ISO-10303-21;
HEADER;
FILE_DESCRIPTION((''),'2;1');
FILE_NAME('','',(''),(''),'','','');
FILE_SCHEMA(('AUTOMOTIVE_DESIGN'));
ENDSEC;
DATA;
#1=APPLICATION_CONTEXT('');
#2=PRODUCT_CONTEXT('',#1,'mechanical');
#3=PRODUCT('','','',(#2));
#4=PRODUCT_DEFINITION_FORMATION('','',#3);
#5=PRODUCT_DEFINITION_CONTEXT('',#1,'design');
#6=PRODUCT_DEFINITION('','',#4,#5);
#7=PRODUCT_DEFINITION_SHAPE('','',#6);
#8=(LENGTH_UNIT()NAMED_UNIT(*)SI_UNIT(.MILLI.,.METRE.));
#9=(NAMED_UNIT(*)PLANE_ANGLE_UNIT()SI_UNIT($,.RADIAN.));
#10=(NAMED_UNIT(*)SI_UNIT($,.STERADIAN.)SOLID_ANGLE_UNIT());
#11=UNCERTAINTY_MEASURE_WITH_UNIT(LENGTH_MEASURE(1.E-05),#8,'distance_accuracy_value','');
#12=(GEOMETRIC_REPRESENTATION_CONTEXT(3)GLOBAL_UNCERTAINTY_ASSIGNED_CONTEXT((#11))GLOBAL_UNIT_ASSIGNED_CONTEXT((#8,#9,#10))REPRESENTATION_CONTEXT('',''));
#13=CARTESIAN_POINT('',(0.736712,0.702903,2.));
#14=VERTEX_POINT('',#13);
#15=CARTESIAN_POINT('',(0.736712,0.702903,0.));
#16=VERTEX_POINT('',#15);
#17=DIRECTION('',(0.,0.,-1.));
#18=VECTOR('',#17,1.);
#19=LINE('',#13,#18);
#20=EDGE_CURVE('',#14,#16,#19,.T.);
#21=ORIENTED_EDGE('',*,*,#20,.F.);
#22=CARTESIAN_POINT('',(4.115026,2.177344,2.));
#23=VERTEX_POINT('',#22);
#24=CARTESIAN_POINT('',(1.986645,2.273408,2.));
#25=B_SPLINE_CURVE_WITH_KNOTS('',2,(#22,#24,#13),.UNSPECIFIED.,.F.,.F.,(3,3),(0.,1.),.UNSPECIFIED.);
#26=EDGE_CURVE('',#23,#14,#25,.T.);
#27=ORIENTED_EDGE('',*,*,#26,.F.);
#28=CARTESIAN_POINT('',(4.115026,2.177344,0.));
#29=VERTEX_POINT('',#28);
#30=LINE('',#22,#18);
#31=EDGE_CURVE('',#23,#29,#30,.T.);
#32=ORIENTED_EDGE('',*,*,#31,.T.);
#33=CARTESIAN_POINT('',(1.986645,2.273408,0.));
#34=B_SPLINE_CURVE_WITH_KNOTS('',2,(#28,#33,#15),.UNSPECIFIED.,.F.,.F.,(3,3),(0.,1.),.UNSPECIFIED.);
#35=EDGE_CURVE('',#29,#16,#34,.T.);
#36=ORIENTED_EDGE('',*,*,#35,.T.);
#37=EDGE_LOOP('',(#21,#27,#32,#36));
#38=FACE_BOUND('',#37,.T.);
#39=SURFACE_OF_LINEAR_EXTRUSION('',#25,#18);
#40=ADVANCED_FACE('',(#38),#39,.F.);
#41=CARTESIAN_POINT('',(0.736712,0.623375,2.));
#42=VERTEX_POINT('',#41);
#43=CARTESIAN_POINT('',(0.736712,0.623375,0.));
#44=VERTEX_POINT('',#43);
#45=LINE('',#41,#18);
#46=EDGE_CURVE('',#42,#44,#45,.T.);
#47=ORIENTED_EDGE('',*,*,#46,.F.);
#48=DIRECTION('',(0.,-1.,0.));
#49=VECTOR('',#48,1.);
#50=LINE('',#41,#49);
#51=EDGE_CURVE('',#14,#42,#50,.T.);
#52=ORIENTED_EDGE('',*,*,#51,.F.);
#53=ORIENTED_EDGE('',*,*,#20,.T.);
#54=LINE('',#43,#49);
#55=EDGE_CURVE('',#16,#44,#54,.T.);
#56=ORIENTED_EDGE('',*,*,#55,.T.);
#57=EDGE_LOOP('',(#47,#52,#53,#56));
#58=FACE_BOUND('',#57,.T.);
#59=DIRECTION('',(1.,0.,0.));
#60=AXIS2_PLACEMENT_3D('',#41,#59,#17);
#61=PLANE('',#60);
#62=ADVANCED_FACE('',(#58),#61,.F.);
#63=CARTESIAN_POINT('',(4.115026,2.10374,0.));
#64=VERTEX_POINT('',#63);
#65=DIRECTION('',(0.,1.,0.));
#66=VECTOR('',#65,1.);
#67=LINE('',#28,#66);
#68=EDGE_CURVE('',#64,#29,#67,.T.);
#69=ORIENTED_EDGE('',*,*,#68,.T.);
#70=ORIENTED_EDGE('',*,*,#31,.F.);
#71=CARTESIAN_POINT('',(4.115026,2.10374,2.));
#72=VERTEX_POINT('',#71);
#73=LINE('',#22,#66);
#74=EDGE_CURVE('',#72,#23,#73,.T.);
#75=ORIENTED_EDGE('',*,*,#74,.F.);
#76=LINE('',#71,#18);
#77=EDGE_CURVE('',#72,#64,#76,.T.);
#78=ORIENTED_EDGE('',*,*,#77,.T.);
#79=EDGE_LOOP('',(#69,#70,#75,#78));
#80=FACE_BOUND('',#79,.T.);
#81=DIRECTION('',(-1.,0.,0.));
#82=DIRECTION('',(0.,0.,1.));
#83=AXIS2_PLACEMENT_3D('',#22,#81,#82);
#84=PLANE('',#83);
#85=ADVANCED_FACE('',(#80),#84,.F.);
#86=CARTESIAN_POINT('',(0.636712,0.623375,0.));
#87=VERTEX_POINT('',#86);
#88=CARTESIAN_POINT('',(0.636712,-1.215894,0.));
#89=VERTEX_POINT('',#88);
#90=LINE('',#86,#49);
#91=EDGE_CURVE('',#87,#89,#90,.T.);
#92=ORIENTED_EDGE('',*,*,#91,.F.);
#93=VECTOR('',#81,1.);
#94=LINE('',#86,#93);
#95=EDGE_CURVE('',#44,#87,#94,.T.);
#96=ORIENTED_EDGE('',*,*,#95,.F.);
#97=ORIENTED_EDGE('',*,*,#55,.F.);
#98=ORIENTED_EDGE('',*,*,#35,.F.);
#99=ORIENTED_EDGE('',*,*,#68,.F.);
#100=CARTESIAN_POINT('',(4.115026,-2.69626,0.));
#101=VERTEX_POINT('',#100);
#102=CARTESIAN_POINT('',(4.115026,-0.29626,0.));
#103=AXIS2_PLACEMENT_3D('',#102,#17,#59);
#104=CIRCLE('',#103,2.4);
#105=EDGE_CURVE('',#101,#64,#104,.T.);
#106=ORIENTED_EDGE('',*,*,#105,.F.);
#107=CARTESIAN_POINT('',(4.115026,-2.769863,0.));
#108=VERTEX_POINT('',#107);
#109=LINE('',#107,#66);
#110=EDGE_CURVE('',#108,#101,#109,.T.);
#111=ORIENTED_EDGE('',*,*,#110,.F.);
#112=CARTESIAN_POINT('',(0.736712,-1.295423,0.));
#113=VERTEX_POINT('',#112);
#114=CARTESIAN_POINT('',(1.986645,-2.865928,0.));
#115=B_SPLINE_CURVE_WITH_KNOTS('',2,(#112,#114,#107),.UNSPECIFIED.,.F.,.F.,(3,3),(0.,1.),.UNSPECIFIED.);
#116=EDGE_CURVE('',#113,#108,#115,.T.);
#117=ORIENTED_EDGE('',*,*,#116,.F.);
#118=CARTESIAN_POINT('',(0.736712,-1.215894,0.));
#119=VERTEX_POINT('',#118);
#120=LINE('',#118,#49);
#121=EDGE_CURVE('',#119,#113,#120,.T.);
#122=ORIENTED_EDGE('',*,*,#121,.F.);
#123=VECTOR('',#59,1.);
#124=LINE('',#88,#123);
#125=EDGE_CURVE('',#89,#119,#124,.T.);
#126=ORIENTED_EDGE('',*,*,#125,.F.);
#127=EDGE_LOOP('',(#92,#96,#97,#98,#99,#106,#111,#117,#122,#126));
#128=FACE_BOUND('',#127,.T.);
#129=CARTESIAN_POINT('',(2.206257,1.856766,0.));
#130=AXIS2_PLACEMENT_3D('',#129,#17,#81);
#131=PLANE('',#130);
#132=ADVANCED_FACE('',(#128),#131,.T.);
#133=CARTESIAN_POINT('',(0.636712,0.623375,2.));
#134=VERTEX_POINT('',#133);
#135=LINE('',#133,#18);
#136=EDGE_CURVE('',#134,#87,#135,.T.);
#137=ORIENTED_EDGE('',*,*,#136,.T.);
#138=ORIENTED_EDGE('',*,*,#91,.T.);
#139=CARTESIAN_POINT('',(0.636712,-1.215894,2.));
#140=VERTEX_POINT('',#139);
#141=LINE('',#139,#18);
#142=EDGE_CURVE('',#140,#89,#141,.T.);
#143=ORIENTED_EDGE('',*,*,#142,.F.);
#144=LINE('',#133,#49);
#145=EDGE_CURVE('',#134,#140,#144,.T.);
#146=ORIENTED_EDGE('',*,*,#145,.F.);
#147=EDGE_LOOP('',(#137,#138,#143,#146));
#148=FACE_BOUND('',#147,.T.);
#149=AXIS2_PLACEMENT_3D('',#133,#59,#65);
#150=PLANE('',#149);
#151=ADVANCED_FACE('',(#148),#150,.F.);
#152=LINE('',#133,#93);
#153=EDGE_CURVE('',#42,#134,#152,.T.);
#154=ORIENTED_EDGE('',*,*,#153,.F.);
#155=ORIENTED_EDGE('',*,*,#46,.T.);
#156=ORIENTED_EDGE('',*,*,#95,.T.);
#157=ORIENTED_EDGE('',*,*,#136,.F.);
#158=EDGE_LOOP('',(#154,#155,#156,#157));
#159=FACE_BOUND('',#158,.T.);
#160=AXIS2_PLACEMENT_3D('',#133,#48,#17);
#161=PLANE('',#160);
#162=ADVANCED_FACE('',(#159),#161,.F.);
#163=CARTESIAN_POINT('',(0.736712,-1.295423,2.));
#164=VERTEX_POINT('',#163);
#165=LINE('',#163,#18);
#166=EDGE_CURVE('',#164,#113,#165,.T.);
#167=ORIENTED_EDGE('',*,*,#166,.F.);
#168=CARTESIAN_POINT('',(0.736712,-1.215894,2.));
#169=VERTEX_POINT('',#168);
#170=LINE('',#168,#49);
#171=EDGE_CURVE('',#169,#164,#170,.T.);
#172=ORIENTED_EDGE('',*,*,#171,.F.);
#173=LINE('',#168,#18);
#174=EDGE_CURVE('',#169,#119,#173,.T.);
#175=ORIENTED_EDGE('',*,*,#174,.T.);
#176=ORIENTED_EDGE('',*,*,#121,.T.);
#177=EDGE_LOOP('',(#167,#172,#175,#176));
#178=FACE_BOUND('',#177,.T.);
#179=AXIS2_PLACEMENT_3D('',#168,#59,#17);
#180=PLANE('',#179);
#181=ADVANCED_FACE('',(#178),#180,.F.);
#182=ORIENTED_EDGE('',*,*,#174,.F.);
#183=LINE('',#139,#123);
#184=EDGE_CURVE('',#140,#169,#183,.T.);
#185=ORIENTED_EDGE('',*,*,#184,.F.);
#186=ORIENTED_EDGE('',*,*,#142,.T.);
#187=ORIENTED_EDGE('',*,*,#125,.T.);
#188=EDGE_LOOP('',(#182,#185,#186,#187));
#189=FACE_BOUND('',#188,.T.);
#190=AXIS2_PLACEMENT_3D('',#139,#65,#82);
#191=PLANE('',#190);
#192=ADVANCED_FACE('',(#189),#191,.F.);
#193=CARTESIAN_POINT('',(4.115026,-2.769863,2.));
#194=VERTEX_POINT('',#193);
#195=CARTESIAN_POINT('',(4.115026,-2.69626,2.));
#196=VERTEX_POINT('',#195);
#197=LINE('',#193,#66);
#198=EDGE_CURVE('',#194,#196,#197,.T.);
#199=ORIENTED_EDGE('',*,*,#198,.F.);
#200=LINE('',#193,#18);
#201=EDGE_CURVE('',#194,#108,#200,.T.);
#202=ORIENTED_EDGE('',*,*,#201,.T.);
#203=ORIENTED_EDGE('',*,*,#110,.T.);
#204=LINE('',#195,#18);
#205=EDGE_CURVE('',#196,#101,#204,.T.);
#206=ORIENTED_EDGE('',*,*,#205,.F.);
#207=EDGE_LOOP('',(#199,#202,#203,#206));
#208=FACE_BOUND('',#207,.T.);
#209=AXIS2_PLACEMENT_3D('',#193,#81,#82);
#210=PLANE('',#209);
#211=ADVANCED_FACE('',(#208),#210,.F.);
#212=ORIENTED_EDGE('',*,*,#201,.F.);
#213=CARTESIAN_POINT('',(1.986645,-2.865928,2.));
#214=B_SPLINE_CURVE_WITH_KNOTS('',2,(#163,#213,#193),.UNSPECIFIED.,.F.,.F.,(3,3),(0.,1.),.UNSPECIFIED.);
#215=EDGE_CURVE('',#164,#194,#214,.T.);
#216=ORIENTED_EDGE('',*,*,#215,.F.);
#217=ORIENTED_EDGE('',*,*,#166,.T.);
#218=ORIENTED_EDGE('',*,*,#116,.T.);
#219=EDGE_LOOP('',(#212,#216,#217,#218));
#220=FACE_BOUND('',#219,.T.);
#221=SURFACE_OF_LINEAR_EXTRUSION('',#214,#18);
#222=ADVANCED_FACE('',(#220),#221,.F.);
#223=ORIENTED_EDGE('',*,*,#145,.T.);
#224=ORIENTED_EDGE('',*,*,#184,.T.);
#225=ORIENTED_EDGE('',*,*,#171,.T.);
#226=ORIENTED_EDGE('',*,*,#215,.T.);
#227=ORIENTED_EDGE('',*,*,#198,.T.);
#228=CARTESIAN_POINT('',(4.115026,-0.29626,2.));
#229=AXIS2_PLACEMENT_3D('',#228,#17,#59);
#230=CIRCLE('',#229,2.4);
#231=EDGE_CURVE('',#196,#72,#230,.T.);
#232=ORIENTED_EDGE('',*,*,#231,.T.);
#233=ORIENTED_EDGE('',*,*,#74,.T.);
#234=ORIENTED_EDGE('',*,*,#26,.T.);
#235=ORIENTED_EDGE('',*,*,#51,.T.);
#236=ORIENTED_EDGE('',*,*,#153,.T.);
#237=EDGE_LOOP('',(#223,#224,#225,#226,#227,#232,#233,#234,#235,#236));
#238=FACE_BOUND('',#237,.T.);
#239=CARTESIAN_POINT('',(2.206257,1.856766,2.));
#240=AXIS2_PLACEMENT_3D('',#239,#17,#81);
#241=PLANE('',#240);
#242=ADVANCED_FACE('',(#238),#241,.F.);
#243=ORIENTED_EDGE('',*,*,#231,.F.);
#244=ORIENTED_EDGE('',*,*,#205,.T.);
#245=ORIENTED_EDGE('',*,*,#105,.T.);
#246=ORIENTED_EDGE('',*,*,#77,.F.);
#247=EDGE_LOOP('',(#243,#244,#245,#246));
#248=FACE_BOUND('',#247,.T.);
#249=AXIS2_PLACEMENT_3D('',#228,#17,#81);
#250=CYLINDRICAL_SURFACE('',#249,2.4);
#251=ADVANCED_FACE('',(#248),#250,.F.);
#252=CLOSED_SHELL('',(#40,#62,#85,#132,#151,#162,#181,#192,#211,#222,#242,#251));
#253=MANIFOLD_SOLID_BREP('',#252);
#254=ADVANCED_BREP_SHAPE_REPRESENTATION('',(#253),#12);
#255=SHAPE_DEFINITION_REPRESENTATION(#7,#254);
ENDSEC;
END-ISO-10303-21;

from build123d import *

# Parameters (mm, degrees)
BOSS_EXTRUDE1_DEPTH = 2


with BuildPart() as part:
    # Sketch1 → Boss-Extrude1 (new body)
    with BuildSketch(Plane.XY):
        with BuildLine():
            Line((4.115026411, 2.177343501), (4.115026411, 2.103740104))
            ThreePointArc((4.115026411, 2.103740104), (1.715026411, -0.296259896), (4.115026411, -2.696259896))
            Line((4.115026411, -2.696259896), (4.115026411, -2.769863293))
            add(Edge.make_bspline(
                [(4.115026411, -2.769863293), (1.986645095, -2.865928164), (0.736711976, -1.295422853)],
                knots=[0, 0, 0, 1, 1, 1], degree=2))
            Line((0.736711976, -1.295422853), (0.736711976, -1.215894452))
            Line((0.736711976, -1.215894452), (0.636711976, -1.215894452))
            Line((0.636711976, -1.215894452), (0.636711976, 0.62337466))
            Line((0.636711976, 0.62337466), (0.736711976, 0.62337466))
            Line((0.736711976, 0.62337466), (0.736711976, 0.70290306))
            add(Edge.make_bspline(
                [(4.115026411, 2.177343501), (1.986645095, 2.273408372), (0.736711976, 0.70290306)],
                knots=[0, 0, 0, 1, 1, 1], degree=2))
        make_face()
    extrude(amount=BOSS_EXTRUDE1_DEPTH)


solid = part.part
